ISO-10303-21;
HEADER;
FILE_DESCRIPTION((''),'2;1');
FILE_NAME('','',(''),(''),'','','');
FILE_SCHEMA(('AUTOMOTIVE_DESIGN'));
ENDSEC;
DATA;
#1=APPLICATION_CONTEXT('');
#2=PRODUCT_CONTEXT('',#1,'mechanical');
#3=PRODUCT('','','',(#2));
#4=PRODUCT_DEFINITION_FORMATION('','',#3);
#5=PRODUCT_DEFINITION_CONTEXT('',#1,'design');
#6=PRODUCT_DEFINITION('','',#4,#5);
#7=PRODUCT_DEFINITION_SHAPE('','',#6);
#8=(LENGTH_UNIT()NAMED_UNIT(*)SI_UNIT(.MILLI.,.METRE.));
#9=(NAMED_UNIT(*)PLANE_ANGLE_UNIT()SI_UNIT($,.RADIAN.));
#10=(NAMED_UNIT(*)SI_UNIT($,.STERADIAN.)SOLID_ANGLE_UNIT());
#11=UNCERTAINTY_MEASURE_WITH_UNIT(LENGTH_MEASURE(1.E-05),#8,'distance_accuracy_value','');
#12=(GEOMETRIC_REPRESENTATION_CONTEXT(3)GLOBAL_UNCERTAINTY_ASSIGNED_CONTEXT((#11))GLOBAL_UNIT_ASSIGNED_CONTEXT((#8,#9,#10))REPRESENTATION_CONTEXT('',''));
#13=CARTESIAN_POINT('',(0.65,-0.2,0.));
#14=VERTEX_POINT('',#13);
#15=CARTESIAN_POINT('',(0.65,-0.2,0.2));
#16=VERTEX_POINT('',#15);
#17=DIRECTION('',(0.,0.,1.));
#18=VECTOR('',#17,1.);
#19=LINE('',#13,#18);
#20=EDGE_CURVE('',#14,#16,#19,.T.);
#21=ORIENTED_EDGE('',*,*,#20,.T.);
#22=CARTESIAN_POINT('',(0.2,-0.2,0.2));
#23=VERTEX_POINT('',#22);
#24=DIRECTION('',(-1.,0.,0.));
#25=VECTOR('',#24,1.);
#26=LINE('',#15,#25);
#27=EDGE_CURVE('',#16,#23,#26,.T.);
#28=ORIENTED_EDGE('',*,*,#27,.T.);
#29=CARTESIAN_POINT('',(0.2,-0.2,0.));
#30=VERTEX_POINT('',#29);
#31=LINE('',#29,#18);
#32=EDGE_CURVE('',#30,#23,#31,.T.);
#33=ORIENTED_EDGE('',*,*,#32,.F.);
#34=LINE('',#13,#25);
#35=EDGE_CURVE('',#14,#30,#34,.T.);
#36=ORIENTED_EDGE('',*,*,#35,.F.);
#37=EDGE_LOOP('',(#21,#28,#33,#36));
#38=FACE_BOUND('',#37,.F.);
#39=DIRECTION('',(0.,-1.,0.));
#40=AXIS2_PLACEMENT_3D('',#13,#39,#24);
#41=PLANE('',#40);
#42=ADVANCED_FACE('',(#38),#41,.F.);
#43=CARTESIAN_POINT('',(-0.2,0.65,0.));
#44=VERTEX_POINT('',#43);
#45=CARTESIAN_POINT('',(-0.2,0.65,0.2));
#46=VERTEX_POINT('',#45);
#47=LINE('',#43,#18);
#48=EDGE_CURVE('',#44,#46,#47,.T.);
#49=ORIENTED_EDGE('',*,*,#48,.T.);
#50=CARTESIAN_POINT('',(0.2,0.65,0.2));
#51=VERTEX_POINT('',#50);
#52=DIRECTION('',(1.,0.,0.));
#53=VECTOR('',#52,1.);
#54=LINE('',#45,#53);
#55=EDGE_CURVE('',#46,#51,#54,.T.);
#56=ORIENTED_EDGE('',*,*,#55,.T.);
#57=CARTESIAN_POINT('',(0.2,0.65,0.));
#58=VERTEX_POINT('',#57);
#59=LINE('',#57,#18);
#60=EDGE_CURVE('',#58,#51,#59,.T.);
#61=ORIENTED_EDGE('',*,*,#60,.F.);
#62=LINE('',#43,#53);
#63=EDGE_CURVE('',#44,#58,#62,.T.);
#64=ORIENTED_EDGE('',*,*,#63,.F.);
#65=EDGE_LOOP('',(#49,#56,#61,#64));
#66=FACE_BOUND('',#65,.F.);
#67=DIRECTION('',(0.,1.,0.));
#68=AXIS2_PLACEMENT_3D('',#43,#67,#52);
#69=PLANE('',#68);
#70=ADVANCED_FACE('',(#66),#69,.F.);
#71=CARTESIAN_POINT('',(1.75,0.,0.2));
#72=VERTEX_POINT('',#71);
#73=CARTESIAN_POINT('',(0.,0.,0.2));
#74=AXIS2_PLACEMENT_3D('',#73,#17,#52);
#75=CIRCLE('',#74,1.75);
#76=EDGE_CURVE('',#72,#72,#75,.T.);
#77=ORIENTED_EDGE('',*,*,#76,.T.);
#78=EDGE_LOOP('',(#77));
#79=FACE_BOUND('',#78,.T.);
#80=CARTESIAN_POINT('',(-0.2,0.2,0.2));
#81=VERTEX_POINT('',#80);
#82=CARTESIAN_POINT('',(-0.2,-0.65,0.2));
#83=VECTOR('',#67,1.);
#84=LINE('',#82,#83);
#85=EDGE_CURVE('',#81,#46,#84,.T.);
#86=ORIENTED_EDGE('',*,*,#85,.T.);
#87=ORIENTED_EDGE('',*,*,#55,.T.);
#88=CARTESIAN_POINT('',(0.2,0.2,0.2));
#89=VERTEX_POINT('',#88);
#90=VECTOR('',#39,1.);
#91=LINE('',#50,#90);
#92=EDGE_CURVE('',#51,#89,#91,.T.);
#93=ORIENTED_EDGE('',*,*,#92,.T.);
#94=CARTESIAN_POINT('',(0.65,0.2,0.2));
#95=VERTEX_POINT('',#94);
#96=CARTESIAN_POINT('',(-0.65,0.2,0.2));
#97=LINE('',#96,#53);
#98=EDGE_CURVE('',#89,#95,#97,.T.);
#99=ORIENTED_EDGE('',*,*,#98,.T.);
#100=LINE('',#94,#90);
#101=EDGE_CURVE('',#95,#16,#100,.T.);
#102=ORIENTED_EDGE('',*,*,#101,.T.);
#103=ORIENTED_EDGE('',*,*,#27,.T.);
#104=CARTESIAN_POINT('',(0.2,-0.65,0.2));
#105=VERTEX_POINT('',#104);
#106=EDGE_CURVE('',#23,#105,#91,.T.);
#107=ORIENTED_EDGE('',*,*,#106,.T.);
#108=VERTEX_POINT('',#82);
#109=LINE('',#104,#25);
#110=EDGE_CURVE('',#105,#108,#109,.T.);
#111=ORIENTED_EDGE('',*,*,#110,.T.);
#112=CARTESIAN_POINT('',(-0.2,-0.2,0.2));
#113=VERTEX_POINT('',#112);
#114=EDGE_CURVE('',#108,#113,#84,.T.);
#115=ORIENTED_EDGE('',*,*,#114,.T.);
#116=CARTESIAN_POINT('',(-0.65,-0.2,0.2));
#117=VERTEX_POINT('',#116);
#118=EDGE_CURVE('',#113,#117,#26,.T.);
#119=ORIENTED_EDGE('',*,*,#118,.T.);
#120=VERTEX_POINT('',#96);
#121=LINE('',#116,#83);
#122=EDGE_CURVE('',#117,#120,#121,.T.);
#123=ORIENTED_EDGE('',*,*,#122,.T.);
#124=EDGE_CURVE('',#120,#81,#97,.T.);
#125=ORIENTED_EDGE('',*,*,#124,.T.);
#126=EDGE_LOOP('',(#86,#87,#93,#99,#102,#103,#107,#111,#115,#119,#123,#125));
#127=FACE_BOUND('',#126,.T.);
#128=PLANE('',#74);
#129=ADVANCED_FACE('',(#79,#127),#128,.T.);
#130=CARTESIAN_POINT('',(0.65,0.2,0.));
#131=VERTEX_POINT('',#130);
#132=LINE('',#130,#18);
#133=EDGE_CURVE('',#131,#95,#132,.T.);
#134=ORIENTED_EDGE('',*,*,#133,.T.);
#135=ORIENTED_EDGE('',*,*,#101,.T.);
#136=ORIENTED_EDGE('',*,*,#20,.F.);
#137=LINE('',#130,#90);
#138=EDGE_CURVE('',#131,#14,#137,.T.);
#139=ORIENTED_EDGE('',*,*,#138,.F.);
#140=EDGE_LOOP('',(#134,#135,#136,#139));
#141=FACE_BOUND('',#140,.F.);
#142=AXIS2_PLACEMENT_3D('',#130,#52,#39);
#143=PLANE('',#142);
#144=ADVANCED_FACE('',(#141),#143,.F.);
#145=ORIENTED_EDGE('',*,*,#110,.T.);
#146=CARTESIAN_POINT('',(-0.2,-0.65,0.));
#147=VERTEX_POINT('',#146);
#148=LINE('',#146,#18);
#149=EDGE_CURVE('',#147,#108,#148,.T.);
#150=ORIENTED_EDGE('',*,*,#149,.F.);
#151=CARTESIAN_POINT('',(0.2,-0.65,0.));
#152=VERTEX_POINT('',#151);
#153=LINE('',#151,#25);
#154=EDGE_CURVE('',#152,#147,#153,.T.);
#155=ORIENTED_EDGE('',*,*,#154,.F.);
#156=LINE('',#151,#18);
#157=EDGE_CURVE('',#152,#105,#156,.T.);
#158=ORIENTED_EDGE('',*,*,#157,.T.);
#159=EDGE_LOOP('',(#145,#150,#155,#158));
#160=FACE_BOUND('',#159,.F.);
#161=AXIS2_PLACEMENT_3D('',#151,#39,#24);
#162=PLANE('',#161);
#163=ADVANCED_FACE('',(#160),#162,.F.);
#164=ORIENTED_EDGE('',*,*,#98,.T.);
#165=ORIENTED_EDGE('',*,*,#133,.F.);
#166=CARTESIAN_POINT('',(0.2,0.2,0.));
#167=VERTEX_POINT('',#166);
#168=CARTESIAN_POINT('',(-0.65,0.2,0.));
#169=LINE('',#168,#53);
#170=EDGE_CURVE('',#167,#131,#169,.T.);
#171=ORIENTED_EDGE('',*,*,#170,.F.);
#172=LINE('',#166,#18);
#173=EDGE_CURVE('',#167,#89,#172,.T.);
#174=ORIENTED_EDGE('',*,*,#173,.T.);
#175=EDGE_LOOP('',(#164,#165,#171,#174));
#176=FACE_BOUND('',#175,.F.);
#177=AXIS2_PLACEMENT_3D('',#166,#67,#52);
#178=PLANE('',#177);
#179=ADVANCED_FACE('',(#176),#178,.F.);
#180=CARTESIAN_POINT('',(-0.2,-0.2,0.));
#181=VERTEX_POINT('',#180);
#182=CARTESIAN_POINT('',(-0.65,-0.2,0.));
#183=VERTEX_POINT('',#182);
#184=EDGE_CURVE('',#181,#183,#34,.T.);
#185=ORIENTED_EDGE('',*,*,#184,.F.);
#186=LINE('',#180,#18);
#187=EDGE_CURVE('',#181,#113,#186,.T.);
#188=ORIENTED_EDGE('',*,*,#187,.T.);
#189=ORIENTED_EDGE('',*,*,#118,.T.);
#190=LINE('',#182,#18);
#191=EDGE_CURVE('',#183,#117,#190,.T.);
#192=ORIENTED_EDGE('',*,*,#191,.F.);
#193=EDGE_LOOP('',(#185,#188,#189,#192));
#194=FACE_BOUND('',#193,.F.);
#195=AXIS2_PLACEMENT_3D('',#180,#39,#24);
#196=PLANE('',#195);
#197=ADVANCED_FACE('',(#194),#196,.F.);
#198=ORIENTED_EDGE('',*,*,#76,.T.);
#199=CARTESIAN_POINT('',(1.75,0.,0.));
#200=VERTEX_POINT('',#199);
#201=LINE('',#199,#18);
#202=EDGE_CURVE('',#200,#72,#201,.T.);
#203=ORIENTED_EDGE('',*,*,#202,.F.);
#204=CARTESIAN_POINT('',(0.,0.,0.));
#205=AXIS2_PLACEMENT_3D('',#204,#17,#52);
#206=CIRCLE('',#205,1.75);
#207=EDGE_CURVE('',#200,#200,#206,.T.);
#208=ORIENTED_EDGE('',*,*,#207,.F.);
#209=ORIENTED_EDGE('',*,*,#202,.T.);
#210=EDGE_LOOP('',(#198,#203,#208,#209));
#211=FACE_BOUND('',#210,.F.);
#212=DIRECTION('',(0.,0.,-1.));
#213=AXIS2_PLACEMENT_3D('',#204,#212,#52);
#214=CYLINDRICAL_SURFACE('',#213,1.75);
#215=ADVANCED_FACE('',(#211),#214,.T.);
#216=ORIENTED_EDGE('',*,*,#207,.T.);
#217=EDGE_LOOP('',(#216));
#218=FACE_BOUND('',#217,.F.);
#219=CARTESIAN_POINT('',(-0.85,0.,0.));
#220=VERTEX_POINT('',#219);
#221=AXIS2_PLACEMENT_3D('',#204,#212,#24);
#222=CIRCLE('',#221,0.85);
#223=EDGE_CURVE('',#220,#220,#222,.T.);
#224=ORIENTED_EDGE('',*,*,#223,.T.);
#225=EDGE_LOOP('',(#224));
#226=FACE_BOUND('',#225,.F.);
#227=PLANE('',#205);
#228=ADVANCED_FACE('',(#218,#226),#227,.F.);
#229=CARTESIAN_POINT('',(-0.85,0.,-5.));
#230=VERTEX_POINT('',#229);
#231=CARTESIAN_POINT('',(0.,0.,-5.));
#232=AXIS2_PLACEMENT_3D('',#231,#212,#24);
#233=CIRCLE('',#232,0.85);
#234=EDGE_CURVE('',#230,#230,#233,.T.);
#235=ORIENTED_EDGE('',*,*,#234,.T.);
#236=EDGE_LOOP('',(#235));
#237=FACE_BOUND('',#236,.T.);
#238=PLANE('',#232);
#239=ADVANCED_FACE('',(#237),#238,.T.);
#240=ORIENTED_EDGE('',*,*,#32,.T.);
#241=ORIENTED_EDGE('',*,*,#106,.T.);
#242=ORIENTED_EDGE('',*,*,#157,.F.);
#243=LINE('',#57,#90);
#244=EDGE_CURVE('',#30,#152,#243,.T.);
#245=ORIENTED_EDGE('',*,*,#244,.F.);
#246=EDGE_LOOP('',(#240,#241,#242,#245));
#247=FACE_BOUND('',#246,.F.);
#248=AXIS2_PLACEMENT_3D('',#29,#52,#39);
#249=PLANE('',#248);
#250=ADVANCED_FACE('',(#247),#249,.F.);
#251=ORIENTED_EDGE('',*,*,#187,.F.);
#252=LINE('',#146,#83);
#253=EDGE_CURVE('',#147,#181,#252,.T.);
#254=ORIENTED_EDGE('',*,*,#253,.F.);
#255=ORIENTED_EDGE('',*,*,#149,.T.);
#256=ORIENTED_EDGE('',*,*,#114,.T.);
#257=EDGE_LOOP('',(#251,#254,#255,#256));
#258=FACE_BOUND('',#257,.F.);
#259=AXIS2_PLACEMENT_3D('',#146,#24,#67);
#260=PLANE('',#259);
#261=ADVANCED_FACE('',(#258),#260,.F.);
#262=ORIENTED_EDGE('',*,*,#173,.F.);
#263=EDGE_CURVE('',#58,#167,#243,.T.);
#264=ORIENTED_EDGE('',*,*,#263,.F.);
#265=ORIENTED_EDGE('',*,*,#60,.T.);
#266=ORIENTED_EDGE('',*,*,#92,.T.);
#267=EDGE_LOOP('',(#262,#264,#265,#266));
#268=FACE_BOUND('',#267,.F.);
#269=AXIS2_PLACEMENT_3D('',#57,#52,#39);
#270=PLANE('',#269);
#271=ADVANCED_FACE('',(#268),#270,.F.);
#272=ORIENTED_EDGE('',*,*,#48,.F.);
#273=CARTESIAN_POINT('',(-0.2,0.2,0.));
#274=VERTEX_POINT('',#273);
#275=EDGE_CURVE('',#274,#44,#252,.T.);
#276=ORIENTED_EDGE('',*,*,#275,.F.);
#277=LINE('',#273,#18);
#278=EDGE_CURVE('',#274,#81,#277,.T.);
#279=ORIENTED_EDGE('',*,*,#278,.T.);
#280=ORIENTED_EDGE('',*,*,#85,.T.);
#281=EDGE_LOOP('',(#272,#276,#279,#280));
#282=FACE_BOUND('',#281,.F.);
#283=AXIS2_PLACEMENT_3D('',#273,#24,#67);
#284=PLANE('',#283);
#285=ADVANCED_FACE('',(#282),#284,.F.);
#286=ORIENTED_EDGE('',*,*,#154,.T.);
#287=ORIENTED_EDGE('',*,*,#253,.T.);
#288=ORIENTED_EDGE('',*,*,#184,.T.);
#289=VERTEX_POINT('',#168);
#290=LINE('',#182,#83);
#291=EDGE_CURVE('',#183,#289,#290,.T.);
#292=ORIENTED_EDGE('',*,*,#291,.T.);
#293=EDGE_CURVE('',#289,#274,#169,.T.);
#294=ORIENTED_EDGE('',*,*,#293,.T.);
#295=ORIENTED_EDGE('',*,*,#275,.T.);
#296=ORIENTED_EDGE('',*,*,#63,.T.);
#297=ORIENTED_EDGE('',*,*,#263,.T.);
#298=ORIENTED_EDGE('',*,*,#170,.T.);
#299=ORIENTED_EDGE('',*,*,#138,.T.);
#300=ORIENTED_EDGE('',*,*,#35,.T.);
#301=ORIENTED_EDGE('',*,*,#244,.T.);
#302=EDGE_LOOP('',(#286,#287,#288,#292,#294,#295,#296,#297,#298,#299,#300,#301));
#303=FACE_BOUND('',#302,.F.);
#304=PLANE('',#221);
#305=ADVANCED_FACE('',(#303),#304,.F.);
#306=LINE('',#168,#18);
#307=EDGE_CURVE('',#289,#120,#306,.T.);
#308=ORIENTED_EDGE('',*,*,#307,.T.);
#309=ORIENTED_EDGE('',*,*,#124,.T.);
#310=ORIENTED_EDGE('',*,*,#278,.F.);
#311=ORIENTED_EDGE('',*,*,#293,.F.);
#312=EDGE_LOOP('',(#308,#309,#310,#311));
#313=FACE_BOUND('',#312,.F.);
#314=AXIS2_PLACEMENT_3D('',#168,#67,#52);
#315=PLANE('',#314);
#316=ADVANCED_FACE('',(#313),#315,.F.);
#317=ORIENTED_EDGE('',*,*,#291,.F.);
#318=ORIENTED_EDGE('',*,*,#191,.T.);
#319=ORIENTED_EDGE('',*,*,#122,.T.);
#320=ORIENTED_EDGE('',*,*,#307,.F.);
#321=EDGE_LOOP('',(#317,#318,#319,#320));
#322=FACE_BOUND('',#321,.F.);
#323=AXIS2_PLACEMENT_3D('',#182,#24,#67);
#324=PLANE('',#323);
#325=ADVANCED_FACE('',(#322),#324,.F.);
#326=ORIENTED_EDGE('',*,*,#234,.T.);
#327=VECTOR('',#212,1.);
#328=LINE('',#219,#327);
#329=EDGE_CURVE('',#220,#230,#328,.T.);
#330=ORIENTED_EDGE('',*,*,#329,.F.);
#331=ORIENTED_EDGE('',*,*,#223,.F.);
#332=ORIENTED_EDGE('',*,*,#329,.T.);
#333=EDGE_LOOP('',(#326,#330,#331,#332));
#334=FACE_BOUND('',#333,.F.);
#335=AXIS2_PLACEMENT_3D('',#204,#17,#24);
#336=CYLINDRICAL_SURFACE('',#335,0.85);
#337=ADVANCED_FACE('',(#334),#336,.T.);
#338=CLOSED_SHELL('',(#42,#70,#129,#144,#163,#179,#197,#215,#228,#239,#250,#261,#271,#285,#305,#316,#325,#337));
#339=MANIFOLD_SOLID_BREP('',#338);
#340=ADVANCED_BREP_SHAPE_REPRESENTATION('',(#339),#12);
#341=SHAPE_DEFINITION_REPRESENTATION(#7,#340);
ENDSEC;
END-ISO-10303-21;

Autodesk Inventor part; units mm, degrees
ref_plane "YZ Plane" through (0, 0, 0) normal (1, 0, 0) x (0, 1, 0)
ref_plane "XZ Plane" through (0, 0, 0) normal (0, 1, 0) x (-1, 0, 0)
ref_plane "XY Plane" through (0, 0, 0) normal (0, 0, 1) x (1, 0, 0)
sketch "スケッチ1" plane through (0, 0, 0) normal (0, 0, 1) x (1, 0, 0)
  circle A0 centre (0, 0) radius 1.75
  line L0 (0.2, -0.65) -> (-0.2, -0.65)
  line L1 (-0.2, -0.65) -> (-0.2, 0.65)
  line L2 (-0.2, 0.65) -> (0.2, 0.65)
  line L3 (0.2, 0.65) -> (0.2, -0.65)
  line L4 (0.2, -0.65) -> (-0.2, 0.65) construction
  line L5 (-0.2, -0.65) -> (0.2, 0.65) construction
  line L6 (0.65, -0.2) -> (-0.65, -0.2)
  line L7 (-0.65, -0.2) -> (-0.65, 0.2)
  line L8 (-0.65, 0.2) -> (0.65, 0.2)
  line L9 (0.65, 0.2) -> (0.65, -0.2)
  line L10 (0.65, -0.2) -> (-0.65, 0.2) construction
  line L11 (-0.65, -0.2) -> (0.65, 0.2) construction
  point P0 (-0.2, -0.2)
  point P1 (-0.2, 0.2)
  point P2 (0.2, 0.2)
  point P3 (0.2, -0.2)
  dimension "d0" = 3.5
  dimension "d1" = 0.4
  dimension "d2" = 1.3
extrude "押し出し1" add sketch "スケッチ1" along normal blind 0.2
sketch "スケッチ2" plane through (0, 0, 0) normal (0, 0, -1) x (-1, 0, 0)
  circle A0 centre (0, 0) radius 0.85
  dimension "d5" = 1.7
extrude "押し出し2" add sketch "スケッチ2" along normal blind 5
thread "ねじ1" size "M1.7x0.35" class "6g" standard "ANSI Metric M Profile" full length
properties part number "M1.7x5"
